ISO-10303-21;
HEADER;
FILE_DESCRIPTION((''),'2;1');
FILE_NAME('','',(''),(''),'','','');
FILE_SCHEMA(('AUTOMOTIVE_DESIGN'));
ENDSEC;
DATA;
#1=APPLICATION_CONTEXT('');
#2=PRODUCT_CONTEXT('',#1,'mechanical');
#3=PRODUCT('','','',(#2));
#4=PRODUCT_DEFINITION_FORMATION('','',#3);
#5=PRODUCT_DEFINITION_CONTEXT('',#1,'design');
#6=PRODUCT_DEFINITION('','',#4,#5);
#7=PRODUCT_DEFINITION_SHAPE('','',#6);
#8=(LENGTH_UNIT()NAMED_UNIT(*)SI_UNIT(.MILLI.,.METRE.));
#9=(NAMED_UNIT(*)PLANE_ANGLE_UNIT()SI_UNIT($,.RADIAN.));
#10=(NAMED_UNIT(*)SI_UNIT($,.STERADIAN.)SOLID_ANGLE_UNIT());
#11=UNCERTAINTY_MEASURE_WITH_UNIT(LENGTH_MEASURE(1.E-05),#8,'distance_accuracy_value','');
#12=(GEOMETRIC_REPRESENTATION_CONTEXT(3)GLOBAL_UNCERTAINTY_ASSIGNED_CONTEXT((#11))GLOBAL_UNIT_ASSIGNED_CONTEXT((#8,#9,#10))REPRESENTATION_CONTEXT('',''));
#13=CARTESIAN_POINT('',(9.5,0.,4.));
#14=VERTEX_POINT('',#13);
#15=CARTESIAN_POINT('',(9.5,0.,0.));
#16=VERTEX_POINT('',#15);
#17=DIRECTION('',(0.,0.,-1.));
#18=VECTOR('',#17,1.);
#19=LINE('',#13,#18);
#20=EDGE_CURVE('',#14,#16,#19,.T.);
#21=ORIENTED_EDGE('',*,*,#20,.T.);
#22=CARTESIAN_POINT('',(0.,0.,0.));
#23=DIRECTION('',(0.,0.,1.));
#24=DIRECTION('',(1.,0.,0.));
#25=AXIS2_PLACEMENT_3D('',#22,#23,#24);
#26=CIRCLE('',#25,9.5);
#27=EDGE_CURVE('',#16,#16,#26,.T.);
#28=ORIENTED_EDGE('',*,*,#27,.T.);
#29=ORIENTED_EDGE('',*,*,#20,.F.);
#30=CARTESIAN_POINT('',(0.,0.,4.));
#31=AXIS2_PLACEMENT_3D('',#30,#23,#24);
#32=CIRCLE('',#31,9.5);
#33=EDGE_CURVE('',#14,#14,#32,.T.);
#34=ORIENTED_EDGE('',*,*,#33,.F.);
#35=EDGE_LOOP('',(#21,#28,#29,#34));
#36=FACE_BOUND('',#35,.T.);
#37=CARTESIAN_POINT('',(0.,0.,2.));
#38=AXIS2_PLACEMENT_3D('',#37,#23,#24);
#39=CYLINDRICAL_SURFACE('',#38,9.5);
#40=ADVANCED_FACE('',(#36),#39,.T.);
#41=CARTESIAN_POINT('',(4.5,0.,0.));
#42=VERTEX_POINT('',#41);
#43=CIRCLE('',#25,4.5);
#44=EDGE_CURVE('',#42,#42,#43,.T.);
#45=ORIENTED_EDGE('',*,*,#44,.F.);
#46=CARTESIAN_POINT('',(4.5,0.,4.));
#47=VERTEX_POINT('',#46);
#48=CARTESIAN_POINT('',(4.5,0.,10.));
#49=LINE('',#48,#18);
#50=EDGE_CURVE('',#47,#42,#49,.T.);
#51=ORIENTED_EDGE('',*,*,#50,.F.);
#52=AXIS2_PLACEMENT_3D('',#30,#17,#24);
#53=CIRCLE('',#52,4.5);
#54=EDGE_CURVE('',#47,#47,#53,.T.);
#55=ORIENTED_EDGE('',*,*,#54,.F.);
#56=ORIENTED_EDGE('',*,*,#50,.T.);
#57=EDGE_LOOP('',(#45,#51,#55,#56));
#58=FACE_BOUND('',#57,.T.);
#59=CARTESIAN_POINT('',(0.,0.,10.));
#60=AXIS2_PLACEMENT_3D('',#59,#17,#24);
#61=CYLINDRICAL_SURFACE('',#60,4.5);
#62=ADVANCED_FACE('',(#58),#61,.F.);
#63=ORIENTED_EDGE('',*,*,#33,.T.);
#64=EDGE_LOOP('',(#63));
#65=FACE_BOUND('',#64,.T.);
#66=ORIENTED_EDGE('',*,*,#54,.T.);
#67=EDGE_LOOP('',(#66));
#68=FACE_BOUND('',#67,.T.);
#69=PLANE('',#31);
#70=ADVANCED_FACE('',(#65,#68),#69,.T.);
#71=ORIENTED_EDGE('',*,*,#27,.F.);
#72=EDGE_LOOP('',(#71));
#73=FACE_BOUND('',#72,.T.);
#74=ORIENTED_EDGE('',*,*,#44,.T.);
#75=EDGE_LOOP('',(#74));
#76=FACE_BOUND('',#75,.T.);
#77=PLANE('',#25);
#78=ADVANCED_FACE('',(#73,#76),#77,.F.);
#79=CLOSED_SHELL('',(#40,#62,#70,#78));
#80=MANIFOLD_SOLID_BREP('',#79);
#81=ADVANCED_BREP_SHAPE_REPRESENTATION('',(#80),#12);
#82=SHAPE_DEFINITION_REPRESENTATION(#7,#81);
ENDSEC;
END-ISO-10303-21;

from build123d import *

# Parameters (mm, degrees)
SKETCH001_R  = 65
PAD_DEPTH    = 4
SKETCH002_R  = 9.5
PAD001_DEPTH = 10


with BuildPart() as body001:
    # Sketch001 → Pad (new body)
    with BuildSketch(Plane.XY):
        Circle(SKETCH001_R)
    extrude(amount=PAD_DEPTH)


with BuildPart() as body002:
    # Sketch002 → Pad001 (new body)
    with BuildSketch(Plane.XY):
        Circle(SKETCH002_R)
    extrude(amount=PAD001_DEPTH)


with BuildPart() as body:
    # Sketch → Revolution (revolve)
    with BuildSketch(Plane.XZ):
        Polygon((4.5, 10), (4.5, 0), (56.757359, 0), (58.757359, 2), (61.242641, 2), (63.242641, 0), (95.232233, 0), (97, 1.767767), (97, 12.5), (96, 12.5), (96, 2.181981), (94.818019, 1), (63.656854, 1), (62.242641, 2.414214), (62.242641, 12.5), (61.242641, 12.5), (61.242641, 4), (57.928932, 4), (55.928932, 2), (9.5, 2), (9.5, 10), align=None)
    revolve(axis=Axis((0, 0, 0), (0, 0, 1)))

    # Boolean: intersect Body001
    add(body001.part, mode=Mode.INTERSECT)

    # Boolean001: intersect Body002
    add(body002.part, mode=Mode.INTERSECT)


solid = body.part
